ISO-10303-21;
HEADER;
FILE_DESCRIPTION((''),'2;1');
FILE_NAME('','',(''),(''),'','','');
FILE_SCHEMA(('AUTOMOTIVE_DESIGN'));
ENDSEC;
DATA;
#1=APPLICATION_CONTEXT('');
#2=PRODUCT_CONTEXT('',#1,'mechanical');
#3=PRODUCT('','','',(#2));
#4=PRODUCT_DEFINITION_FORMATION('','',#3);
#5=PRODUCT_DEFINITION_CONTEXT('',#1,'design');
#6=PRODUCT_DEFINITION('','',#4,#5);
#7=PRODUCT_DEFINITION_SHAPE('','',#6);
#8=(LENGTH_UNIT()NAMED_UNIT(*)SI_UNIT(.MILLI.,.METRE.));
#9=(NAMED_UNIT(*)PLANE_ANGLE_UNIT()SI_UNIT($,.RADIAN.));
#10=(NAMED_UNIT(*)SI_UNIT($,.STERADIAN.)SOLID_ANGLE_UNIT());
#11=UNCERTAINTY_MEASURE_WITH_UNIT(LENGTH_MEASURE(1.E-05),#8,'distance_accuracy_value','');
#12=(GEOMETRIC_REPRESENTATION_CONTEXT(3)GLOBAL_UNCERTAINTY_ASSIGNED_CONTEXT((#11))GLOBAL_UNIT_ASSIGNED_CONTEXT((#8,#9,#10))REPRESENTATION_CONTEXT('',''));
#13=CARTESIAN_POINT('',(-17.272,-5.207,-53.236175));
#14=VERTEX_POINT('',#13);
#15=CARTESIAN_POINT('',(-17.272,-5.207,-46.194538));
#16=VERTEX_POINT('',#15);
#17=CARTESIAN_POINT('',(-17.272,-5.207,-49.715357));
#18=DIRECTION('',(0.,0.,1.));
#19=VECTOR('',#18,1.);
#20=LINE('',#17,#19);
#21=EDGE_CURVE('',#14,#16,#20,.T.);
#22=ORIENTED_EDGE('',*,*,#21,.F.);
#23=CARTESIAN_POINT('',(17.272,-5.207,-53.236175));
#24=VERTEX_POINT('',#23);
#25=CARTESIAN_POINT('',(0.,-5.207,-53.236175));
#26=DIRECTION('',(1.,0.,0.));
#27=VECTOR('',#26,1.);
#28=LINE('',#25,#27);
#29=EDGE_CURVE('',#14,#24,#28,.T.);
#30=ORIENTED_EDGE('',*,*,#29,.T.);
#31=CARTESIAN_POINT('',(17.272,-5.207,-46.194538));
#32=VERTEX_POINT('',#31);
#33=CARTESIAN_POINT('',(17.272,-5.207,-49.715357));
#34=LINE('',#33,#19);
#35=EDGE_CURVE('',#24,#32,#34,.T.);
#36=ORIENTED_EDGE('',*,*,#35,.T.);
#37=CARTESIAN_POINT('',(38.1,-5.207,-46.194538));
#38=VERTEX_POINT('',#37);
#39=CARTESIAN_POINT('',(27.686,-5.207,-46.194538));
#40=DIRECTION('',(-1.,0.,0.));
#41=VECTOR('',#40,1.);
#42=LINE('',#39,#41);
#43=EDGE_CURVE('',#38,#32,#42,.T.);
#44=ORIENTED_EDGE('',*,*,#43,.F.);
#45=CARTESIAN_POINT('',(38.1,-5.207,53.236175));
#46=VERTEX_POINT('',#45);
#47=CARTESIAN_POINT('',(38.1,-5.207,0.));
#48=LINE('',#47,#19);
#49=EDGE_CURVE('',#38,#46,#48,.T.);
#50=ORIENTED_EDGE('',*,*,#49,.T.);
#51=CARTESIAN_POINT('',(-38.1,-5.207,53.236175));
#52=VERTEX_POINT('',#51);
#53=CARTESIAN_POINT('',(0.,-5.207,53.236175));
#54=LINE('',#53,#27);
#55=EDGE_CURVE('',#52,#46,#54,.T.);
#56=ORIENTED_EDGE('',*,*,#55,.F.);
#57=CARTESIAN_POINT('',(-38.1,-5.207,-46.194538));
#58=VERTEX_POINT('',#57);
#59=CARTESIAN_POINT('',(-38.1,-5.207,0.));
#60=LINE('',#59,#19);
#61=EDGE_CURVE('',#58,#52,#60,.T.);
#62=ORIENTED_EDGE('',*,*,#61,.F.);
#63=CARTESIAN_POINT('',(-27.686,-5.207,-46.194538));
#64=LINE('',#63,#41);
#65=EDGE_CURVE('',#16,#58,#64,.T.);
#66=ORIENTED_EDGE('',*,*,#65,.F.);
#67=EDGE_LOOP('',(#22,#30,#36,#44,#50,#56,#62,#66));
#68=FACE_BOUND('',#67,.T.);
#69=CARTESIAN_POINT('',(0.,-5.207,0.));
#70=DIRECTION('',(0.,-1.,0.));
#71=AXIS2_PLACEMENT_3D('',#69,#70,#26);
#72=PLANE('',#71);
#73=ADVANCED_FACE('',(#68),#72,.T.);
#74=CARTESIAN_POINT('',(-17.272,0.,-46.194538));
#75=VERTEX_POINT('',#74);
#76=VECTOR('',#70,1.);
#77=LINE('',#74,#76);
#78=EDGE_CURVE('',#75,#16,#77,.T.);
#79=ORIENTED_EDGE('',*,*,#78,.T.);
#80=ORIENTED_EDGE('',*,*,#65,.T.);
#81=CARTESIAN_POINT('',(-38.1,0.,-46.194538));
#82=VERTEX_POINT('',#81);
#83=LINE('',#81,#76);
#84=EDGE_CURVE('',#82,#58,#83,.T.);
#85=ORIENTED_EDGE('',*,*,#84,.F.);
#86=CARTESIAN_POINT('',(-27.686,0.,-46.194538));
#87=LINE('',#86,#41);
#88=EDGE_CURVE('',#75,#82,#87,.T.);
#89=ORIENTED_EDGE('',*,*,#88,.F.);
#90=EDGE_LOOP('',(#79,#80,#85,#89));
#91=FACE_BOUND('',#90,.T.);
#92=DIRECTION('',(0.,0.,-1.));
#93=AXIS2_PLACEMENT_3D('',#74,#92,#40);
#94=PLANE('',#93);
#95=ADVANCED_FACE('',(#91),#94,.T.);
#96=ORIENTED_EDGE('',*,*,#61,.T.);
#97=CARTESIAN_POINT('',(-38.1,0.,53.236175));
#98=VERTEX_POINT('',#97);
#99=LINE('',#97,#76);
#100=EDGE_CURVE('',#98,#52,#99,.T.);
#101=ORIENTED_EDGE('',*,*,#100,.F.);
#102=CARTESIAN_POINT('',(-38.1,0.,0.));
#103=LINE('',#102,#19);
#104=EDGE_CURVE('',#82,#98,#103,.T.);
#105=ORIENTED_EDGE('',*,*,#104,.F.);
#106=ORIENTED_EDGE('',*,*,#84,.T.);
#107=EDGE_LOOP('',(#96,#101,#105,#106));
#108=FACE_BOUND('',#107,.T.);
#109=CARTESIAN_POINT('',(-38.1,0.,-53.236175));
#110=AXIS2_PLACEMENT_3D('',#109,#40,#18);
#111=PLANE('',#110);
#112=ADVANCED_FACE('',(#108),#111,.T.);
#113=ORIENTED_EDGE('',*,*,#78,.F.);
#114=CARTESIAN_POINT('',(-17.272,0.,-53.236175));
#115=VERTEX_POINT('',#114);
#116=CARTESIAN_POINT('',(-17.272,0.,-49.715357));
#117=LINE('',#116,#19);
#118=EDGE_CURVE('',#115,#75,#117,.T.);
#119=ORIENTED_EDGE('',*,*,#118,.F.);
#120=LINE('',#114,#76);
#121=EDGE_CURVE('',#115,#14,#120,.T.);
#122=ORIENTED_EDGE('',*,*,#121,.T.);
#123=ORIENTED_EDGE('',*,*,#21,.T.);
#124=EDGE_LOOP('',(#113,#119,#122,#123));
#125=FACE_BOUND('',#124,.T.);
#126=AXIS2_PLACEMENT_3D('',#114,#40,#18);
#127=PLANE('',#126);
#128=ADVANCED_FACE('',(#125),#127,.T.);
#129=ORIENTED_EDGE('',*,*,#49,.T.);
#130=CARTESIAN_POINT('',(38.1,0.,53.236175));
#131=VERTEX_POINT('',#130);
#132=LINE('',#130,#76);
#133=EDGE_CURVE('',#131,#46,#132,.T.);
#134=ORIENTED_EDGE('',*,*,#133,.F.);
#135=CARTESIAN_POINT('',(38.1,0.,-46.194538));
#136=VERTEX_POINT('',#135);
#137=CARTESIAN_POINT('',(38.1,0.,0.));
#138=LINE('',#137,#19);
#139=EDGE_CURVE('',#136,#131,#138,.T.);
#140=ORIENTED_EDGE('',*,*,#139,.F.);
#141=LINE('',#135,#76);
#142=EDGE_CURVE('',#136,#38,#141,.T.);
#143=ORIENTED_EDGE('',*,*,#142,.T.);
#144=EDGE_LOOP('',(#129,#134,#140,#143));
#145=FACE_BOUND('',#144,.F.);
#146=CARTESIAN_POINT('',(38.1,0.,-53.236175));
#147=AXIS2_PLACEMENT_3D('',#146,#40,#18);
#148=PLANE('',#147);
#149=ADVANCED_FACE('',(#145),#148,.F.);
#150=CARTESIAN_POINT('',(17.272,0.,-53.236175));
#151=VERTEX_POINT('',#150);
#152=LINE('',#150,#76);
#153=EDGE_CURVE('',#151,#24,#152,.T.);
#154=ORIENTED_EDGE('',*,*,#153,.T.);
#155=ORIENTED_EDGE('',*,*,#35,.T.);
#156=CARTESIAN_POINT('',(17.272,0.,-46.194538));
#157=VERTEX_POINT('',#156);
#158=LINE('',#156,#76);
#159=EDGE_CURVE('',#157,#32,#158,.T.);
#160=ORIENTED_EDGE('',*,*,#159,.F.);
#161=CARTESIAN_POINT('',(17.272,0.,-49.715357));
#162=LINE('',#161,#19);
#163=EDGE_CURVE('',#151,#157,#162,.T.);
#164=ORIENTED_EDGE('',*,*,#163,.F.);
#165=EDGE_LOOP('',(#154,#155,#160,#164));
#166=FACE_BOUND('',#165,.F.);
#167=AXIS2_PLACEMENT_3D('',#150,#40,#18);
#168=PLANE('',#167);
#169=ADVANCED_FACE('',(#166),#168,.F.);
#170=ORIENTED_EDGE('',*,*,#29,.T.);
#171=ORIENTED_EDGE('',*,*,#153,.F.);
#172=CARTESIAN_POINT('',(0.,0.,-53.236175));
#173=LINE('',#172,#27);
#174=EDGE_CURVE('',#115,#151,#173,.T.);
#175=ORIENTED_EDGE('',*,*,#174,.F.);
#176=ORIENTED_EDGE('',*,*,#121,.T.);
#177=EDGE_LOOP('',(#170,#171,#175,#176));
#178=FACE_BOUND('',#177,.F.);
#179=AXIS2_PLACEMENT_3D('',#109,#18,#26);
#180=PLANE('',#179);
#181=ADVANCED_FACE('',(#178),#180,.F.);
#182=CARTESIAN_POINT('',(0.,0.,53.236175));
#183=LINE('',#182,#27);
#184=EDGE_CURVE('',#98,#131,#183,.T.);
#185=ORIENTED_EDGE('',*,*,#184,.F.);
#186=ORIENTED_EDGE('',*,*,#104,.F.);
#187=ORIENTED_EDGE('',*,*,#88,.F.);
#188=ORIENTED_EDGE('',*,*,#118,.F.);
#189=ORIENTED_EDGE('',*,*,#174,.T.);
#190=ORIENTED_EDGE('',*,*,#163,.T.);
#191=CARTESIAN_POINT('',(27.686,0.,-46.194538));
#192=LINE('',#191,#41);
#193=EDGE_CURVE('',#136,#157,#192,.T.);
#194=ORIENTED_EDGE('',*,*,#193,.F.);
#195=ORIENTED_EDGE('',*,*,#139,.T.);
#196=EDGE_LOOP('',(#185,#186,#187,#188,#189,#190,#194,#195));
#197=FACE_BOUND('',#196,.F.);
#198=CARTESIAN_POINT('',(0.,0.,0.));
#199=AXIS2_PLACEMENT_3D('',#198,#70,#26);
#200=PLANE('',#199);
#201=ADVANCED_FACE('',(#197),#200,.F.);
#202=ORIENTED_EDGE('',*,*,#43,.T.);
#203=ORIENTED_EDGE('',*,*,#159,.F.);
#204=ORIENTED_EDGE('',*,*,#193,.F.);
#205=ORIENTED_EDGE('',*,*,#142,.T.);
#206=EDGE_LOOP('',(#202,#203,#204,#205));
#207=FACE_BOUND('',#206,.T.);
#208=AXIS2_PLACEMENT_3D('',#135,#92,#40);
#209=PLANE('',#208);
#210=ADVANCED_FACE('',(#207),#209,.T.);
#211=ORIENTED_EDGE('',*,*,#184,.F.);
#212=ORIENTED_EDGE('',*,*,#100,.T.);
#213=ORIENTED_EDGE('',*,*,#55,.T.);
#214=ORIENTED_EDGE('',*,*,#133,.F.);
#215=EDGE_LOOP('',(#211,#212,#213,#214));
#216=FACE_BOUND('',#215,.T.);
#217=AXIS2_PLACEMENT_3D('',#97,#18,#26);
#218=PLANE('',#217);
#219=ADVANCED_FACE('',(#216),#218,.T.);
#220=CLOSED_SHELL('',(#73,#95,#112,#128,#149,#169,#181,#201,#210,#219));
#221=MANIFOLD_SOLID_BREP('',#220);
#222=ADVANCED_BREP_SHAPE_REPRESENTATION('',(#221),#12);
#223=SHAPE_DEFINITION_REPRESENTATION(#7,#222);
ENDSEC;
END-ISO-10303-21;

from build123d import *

# Parameters (mm, degrees)
F0_W     = 76.2
F0_H     = 106.4723501976
F1_DEPTH = 5.207
F2_W     = 20.828
F2_H     = 7.0416366247
F3_DEPTH = 5.207


with BuildPart() as f1:
    # F0 (on Front) → F1 (new body)
    with BuildSketch(Plane.XZ):
        Rectangle(F0_W, F0_H)
    extrude(amount=F1_DEPTH)

    # F2 (on face) → F3 (cut, through all)
    with BuildSketch(Plane(origin=(0, 0, 0), x_dir=(-1, 0, 0), z_dir=(0, 1, 0))):
        with Locations((27.686, -49.7153567864)):
            Rectangle(F2_W, F2_H)
        with Locations((-27.686, -49.7153567864)):
            Rectangle(F2_W, F2_H)
    extrude(amount=-F3_DEPTH, mode=Mode.SUBTRACT)


solid = f1.part
